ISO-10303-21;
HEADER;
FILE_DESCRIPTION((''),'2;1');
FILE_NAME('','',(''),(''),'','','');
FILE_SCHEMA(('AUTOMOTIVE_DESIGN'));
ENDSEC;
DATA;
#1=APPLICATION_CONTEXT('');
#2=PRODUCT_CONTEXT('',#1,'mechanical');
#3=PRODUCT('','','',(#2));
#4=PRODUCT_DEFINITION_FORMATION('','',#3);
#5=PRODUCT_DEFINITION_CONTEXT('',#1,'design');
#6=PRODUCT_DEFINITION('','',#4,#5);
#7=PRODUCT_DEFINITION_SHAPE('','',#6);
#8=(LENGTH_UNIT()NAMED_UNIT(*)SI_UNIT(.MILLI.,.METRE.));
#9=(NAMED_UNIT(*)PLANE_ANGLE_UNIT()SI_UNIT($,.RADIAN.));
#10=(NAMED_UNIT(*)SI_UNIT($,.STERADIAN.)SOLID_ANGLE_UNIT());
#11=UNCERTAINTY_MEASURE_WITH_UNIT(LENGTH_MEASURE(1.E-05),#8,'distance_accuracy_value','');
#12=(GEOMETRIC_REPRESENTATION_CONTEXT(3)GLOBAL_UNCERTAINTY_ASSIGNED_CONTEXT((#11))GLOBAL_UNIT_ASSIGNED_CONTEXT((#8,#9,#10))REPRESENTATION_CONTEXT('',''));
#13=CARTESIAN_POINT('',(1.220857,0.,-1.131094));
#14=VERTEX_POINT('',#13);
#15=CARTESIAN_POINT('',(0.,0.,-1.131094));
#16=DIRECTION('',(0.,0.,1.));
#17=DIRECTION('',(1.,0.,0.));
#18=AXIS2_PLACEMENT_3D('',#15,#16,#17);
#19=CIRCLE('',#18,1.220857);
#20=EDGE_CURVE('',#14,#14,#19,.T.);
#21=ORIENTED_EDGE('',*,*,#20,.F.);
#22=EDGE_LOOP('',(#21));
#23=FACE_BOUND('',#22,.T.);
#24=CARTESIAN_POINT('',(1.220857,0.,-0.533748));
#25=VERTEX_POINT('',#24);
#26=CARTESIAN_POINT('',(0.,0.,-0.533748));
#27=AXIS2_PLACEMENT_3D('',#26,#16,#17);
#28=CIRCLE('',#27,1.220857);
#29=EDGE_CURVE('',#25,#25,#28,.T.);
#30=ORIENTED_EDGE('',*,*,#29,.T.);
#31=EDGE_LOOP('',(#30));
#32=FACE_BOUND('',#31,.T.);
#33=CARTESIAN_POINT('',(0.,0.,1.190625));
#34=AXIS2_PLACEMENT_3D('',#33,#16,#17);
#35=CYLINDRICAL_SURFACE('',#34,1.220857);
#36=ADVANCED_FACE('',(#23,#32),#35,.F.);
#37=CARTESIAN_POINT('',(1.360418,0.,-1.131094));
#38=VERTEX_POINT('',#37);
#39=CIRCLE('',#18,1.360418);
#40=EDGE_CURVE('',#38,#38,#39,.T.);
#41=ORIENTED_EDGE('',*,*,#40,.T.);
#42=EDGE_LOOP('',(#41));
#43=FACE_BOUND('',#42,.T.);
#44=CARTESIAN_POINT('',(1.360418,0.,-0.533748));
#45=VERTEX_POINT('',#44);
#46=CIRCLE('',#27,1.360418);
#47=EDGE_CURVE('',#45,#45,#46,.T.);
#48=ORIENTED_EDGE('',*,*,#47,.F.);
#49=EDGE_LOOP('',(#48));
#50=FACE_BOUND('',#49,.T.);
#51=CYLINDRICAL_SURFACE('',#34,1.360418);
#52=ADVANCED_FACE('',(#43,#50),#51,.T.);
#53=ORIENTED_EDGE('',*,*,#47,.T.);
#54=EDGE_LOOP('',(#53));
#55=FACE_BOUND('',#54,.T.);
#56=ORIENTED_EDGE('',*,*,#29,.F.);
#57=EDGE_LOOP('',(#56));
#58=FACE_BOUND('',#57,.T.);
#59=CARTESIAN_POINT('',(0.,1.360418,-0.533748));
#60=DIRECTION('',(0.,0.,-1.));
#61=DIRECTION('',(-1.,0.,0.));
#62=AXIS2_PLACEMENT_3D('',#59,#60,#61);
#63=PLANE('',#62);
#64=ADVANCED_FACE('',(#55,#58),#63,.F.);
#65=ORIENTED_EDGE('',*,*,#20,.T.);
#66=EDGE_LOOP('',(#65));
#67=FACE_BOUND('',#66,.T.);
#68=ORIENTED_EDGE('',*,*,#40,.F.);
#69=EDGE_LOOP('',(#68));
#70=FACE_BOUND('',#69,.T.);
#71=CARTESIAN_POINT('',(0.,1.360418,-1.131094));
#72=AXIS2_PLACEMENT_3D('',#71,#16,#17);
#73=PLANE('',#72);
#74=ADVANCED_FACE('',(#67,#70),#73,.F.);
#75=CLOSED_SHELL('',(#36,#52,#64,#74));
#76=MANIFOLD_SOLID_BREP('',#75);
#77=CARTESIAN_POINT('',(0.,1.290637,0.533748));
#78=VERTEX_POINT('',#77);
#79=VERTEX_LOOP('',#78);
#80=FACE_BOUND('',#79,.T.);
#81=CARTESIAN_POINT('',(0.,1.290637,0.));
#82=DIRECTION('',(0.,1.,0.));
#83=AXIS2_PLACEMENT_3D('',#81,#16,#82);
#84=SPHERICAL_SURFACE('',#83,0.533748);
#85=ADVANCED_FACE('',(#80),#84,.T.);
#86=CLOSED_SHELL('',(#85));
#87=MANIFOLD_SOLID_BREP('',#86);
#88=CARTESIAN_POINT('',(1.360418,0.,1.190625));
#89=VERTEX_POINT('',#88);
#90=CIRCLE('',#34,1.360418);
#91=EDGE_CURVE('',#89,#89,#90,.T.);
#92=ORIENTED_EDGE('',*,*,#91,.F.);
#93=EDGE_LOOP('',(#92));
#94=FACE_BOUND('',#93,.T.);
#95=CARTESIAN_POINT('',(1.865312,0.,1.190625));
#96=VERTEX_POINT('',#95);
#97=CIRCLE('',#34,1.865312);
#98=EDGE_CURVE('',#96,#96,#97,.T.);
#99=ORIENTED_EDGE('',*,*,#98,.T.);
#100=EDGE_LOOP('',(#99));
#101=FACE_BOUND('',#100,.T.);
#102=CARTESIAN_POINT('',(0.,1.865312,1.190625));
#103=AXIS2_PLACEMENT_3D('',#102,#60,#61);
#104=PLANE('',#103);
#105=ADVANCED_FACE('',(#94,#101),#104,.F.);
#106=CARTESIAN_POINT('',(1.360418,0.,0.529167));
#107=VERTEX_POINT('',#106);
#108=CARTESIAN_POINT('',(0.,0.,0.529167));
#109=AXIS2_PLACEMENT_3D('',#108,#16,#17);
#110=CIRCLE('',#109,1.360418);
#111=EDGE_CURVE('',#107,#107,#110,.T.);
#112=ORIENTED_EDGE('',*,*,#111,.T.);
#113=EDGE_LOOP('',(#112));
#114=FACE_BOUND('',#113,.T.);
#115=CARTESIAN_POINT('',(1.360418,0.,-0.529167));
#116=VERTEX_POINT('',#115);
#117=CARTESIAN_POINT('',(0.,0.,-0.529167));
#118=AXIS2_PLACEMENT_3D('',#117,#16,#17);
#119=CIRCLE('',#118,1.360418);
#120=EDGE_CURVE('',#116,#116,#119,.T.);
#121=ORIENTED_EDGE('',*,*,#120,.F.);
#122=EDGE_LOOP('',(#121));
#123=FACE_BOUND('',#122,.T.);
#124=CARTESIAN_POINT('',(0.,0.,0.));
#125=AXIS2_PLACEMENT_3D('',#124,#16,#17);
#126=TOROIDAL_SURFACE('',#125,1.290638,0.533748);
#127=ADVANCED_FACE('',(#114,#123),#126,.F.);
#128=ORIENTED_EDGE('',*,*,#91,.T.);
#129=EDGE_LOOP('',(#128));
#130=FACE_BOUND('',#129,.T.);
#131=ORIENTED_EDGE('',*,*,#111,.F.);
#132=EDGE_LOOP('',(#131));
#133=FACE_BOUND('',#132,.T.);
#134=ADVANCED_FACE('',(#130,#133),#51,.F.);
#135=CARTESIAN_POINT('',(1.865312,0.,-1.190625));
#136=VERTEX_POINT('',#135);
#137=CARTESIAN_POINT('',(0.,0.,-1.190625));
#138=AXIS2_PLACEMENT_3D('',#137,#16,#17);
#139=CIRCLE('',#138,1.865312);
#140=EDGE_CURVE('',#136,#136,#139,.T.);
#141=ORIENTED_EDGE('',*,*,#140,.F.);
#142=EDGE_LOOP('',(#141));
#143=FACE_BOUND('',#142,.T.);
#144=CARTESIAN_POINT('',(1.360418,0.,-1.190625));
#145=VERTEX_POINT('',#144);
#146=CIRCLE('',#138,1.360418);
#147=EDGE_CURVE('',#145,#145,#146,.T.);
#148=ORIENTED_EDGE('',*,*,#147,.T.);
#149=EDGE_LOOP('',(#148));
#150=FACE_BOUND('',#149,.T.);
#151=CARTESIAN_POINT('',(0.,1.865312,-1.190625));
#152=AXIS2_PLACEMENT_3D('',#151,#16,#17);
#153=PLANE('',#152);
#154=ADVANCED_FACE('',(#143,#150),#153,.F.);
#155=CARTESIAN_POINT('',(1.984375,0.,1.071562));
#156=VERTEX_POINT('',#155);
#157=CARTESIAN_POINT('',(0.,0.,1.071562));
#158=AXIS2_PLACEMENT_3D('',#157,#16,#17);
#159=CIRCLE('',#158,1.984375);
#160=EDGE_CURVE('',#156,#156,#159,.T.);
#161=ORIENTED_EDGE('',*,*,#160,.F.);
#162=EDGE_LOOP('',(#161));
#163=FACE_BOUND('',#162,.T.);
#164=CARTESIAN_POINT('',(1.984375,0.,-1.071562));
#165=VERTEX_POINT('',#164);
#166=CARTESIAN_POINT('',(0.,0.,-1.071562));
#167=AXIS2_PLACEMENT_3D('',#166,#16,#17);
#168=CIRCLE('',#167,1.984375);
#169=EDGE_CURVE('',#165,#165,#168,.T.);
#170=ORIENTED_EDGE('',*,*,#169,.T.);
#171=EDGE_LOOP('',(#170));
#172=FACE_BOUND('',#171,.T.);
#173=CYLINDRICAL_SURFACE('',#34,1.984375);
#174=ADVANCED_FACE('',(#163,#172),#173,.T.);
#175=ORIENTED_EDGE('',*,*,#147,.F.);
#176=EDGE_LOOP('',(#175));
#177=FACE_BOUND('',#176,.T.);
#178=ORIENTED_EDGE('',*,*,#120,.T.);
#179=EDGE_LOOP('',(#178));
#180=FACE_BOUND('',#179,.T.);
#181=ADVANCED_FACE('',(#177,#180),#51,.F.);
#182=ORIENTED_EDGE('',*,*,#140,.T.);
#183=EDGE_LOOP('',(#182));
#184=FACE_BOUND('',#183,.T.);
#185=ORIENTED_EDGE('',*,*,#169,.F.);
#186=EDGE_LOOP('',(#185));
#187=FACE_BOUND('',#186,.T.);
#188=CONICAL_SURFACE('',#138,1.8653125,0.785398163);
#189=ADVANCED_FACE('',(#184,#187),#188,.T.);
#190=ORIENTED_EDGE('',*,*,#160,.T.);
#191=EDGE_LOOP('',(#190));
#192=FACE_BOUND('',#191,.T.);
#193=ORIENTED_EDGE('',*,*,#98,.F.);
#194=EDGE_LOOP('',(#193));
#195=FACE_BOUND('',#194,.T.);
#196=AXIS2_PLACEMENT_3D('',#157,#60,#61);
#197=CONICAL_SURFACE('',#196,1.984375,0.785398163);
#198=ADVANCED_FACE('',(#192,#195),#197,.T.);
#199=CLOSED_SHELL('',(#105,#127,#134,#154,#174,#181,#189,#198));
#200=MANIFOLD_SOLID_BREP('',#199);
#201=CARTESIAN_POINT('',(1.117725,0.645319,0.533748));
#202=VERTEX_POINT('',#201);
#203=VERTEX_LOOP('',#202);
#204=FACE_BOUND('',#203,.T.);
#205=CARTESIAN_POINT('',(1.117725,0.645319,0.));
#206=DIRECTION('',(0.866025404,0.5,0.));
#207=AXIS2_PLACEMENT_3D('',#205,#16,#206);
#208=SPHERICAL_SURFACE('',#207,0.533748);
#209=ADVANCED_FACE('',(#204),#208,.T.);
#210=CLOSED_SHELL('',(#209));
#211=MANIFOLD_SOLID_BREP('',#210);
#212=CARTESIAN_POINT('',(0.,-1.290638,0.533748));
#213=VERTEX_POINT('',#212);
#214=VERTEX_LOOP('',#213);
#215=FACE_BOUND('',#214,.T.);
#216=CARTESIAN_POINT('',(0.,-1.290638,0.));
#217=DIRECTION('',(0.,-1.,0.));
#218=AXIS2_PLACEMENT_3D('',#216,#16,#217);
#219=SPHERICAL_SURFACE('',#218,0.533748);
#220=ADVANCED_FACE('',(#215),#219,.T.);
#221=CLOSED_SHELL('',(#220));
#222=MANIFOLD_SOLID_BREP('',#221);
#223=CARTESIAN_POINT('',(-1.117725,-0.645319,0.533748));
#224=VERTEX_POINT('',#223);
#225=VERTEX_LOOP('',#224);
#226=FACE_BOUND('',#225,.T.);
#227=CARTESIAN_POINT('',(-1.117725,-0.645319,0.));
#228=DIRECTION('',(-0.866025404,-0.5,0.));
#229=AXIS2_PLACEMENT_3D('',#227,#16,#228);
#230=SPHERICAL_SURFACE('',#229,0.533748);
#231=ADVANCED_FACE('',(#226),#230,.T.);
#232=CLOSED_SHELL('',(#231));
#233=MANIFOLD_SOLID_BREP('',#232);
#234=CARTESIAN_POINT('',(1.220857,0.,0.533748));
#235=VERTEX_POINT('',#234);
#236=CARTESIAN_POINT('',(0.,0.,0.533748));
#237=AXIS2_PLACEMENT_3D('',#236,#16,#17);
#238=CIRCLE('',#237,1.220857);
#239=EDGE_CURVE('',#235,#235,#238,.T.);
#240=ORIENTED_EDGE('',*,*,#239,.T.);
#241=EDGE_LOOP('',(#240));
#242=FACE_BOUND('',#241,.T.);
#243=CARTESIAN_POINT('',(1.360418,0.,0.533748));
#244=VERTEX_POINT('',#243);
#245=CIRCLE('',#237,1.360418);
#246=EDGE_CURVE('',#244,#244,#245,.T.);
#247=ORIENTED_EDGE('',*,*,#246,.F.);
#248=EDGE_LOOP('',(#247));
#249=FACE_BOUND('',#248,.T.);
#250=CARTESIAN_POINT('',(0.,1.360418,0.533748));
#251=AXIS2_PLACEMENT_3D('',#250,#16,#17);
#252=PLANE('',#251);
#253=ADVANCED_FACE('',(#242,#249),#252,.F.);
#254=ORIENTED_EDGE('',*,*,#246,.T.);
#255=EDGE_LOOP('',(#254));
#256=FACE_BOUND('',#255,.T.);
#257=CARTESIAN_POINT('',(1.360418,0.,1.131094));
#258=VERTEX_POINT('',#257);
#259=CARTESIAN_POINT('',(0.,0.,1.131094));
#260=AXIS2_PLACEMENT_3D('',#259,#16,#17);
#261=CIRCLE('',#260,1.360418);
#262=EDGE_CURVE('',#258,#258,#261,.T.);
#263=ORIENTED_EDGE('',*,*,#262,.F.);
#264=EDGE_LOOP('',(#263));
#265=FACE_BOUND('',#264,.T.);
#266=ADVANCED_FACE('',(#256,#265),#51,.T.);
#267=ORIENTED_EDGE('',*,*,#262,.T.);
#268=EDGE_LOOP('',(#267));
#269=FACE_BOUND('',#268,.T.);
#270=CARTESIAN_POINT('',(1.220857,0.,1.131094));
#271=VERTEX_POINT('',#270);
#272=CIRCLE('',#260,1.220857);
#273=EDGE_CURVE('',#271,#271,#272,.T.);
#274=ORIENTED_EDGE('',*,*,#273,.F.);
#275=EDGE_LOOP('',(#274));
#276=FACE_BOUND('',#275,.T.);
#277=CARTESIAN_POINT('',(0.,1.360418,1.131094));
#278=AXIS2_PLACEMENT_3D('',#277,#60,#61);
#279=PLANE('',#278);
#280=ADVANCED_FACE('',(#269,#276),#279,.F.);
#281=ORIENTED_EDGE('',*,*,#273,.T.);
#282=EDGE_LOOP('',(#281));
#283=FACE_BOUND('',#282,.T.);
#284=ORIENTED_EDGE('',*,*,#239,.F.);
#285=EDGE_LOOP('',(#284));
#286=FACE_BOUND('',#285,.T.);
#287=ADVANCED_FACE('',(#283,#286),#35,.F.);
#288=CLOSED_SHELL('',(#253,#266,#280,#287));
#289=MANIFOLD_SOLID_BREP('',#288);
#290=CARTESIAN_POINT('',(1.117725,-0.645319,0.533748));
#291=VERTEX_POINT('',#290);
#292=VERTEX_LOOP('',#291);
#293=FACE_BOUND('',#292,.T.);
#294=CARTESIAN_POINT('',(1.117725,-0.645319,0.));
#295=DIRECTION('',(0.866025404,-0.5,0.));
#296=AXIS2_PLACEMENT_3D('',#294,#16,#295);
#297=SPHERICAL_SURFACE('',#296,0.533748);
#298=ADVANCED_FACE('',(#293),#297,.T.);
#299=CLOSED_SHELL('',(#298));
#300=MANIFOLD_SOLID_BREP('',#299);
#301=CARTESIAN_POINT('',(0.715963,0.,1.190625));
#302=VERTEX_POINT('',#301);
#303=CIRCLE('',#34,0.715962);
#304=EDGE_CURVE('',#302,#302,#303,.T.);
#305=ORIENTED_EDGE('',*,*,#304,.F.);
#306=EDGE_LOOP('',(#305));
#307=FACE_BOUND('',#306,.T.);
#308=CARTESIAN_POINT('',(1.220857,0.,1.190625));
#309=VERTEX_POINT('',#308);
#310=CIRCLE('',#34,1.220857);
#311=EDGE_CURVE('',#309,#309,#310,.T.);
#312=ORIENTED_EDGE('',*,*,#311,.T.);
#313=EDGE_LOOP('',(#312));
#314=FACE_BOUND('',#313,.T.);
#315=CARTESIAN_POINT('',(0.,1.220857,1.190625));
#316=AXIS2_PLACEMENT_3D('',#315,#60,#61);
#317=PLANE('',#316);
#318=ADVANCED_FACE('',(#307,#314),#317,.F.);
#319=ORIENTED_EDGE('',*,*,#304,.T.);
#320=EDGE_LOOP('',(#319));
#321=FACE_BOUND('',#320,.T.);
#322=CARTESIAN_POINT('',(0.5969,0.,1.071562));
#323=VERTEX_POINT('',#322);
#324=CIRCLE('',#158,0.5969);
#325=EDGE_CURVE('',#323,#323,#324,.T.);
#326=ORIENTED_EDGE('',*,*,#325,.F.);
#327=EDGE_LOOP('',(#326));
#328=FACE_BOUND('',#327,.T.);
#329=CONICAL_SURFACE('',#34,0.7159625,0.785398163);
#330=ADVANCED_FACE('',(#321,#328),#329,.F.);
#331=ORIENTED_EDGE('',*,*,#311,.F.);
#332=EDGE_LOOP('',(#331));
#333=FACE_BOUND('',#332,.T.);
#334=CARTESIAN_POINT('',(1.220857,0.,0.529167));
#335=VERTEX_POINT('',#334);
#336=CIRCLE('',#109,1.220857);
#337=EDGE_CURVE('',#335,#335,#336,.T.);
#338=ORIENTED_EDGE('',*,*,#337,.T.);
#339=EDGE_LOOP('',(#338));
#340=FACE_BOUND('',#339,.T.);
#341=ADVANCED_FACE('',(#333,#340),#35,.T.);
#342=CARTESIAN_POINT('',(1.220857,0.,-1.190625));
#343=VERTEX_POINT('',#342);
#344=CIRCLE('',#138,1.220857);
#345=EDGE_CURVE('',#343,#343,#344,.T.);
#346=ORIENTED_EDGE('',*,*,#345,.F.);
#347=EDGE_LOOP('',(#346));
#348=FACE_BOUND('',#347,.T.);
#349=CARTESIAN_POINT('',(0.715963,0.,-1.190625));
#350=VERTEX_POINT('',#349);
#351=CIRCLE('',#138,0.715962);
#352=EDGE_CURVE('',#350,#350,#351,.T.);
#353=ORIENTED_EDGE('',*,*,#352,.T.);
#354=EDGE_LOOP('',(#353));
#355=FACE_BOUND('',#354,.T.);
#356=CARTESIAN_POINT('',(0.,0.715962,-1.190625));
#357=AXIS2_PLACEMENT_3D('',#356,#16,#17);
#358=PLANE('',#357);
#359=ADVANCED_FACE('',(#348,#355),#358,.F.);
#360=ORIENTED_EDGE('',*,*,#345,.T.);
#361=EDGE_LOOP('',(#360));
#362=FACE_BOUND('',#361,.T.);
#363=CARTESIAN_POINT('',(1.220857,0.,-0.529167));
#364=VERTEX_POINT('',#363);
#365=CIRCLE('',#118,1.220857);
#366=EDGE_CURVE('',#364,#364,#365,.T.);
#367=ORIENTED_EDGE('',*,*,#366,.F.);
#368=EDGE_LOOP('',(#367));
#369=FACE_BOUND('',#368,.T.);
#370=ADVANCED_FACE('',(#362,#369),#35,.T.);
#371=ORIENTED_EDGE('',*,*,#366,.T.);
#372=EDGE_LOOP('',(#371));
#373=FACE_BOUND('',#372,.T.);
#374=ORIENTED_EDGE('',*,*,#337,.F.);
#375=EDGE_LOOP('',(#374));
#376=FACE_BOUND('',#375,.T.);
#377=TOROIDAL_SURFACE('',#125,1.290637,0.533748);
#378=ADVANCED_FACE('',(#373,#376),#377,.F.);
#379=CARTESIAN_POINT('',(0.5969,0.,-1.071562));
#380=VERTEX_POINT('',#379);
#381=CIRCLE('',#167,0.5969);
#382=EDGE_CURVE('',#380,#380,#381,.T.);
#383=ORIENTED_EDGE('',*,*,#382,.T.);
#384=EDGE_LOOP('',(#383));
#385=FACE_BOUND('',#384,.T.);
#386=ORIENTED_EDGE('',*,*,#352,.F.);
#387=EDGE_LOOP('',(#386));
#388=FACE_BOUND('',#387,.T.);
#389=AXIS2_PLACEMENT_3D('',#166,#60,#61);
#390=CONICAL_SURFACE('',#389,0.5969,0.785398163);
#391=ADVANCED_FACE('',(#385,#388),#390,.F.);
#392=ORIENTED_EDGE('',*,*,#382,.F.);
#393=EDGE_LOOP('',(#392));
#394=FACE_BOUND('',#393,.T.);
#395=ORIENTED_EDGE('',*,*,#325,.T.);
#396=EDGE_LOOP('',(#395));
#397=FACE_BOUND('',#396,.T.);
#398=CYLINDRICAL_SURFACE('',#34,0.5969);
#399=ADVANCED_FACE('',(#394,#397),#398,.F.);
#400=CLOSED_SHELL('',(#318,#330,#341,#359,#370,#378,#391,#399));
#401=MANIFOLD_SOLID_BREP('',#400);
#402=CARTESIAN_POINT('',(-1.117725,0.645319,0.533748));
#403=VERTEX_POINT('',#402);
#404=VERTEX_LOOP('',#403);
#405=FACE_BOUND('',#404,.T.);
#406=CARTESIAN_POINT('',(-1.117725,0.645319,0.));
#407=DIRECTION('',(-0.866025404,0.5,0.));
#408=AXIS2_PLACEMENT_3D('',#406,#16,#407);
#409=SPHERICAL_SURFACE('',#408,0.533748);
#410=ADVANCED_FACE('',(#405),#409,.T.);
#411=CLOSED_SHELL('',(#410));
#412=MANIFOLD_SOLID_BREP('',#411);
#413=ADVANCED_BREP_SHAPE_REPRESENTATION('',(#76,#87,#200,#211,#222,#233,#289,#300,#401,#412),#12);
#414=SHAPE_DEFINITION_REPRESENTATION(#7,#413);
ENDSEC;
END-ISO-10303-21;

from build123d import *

# Parameters (mm, degrees)
CIRPATTERN1_COUNT = 6
SKETCH5_W         = 0.597346019
SKETCH5_H         = 0.13956044


with BuildPart() as part:
    # Sketch1 → Revolve1 (revolve)
    with BuildSketch(Plane(origin=(0, 0, 0), x_dir=(0, 0, -1), z_dir=(1, 0, 0))):
        with BuildLine():
            Line((1.0715625, 1.984375), (-1.0715625, 1.984375))
            Line((-1.0715625, 1.984375), (-1.190625, 1.8653125))
            Line((-1.190625, 1.8653125), (-1.190625, 1.36041772))
            Line((-1.190625, 1.36041772), (-0.529166667, 1.36041772))
            ThreePointArc((-0.529166667, 1.36041772), (0, 1.824385231), (0.529166667, 1.36041772))
            Line((0.529166667, 1.36041772), (1.190625, 1.36041772))
            Line((1.190625, 1.36041772), (1.190625, 1.8653125))
            Line((1.190625, 1.8653125), (1.0715625, 1.984375))
        make_face()
    revolve(axis=Axis((0, 0, 1.190625), (0, 0, -1)))


with BuildPart() as body_2:
    # Sketch3 → Revolve3 (revolve)
    with BuildSketch(Plane(origin=(0, 0, 0), x_dir=(0, 0, -1), z_dir=(1, 0, 0))):
        with BuildLine():
            Line((-0.529166667, 1.22085728), (-1.190625, 1.22085728))
            Line((-1.190625, 1.22085728), (-1.190625, 0.7159625))
            Line((-1.190625, 0.7159625), (-1.0715625, 0.5969))
            Line((-1.0715625, 0.5969), (1.0715625, 0.5969))
            Line((1.0715625, 0.5969), (1.190625, 0.7159625))
            Line((1.190625, 0.7159625), (1.190625, 1.22085728))
            Line((1.190625, 1.22085728), (0.529166667, 1.22085728))
            ThreePointArc((0.529166667, 1.22085728), (0, 0.756889769), (-0.529166667, 1.22085728))
        make_face()
    revolve(axis=Axis((0, 0, 1.190625), (0, 0, -1)))


with BuildPart() as body_3:
    # Sketch4 → Revolve4 (revolve)
    with BuildSketch(Plane(origin=(0, 0, 0), x_dir=(0, 0, -1), z_dir=(1, 0, 0))):
        with BuildLine():
            Line((-0.533747731, 1.2906375), (0.533747731, 1.2906375))
            ThreePointArc((0.533747731, 1.2906375), (0, 1.824385231), (-0.533747731, 1.2906375))
        make_face()
    revolve(axis=Axis((0, 1.2906375, 0.533747731), (0, 0, -1)))


with BuildPart() as cirpattern1_1:
    # CirPattern1: pattern copy
    add(body_3.part.rotate(Axis((0, 0, -1.190625), (0, 0, 1)), 1 * 360 / CIRPATTERN1_COUNT))


with BuildPart() as cirpattern1_2:
    # CirPattern1: pattern copy
    add(body_3.part.rotate(Axis((0, 0, -1.190625), (0, 0, 1)), 2 * 360 / CIRPATTERN1_COUNT))


with BuildPart() as cirpattern1_3:
    # CirPattern1: pattern copy
    add(body_3.part.rotate(Axis((0, 0, -1.190625), (0, 0, 1)), 3 * 360 / CIRPATTERN1_COUNT))


with BuildPart() as cirpattern1_4:
    # CirPattern1: pattern copy
    add(body_3.part.rotate(Axis((0, 0, -1.190625), (0, 0, 1)), 4 * 360 / CIRPATTERN1_COUNT))


with BuildPart() as cirpattern1_5:
    # CirPattern1: pattern copy
    add(body_3.part.rotate(Axis((0, 0, -1.190625), (0, 0, 1)), 5 * 360 / CIRPATTERN1_COUNT))


with BuildPart() as body_9:
    # Sketch5 → Revolve5 (revolve)
    with BuildSketch(Plane(origin=(0, 0, 0), x_dir=(0, 0, -1), z_dir=(1, 0, 0))):
        with Locations((-0.832420741, 1.2906375)):
            Rectangle(SKETCH5_W, SKETCH5_H)
        with Locations((0.832420741, 1.2906375)):
            Rectangle(SKETCH5_W, SKETCH5_H)
    revolve(axis=Axis((0, 0, 1.190625), (0, 0, -1)))


solid = Compound([part.part, body_2.part, body_3.part, cirpattern1_1.part, cirpattern1_2.part, cirpattern1_3.part, cirpattern1_4.part, cirpattern1_5.part, body_9.part])
